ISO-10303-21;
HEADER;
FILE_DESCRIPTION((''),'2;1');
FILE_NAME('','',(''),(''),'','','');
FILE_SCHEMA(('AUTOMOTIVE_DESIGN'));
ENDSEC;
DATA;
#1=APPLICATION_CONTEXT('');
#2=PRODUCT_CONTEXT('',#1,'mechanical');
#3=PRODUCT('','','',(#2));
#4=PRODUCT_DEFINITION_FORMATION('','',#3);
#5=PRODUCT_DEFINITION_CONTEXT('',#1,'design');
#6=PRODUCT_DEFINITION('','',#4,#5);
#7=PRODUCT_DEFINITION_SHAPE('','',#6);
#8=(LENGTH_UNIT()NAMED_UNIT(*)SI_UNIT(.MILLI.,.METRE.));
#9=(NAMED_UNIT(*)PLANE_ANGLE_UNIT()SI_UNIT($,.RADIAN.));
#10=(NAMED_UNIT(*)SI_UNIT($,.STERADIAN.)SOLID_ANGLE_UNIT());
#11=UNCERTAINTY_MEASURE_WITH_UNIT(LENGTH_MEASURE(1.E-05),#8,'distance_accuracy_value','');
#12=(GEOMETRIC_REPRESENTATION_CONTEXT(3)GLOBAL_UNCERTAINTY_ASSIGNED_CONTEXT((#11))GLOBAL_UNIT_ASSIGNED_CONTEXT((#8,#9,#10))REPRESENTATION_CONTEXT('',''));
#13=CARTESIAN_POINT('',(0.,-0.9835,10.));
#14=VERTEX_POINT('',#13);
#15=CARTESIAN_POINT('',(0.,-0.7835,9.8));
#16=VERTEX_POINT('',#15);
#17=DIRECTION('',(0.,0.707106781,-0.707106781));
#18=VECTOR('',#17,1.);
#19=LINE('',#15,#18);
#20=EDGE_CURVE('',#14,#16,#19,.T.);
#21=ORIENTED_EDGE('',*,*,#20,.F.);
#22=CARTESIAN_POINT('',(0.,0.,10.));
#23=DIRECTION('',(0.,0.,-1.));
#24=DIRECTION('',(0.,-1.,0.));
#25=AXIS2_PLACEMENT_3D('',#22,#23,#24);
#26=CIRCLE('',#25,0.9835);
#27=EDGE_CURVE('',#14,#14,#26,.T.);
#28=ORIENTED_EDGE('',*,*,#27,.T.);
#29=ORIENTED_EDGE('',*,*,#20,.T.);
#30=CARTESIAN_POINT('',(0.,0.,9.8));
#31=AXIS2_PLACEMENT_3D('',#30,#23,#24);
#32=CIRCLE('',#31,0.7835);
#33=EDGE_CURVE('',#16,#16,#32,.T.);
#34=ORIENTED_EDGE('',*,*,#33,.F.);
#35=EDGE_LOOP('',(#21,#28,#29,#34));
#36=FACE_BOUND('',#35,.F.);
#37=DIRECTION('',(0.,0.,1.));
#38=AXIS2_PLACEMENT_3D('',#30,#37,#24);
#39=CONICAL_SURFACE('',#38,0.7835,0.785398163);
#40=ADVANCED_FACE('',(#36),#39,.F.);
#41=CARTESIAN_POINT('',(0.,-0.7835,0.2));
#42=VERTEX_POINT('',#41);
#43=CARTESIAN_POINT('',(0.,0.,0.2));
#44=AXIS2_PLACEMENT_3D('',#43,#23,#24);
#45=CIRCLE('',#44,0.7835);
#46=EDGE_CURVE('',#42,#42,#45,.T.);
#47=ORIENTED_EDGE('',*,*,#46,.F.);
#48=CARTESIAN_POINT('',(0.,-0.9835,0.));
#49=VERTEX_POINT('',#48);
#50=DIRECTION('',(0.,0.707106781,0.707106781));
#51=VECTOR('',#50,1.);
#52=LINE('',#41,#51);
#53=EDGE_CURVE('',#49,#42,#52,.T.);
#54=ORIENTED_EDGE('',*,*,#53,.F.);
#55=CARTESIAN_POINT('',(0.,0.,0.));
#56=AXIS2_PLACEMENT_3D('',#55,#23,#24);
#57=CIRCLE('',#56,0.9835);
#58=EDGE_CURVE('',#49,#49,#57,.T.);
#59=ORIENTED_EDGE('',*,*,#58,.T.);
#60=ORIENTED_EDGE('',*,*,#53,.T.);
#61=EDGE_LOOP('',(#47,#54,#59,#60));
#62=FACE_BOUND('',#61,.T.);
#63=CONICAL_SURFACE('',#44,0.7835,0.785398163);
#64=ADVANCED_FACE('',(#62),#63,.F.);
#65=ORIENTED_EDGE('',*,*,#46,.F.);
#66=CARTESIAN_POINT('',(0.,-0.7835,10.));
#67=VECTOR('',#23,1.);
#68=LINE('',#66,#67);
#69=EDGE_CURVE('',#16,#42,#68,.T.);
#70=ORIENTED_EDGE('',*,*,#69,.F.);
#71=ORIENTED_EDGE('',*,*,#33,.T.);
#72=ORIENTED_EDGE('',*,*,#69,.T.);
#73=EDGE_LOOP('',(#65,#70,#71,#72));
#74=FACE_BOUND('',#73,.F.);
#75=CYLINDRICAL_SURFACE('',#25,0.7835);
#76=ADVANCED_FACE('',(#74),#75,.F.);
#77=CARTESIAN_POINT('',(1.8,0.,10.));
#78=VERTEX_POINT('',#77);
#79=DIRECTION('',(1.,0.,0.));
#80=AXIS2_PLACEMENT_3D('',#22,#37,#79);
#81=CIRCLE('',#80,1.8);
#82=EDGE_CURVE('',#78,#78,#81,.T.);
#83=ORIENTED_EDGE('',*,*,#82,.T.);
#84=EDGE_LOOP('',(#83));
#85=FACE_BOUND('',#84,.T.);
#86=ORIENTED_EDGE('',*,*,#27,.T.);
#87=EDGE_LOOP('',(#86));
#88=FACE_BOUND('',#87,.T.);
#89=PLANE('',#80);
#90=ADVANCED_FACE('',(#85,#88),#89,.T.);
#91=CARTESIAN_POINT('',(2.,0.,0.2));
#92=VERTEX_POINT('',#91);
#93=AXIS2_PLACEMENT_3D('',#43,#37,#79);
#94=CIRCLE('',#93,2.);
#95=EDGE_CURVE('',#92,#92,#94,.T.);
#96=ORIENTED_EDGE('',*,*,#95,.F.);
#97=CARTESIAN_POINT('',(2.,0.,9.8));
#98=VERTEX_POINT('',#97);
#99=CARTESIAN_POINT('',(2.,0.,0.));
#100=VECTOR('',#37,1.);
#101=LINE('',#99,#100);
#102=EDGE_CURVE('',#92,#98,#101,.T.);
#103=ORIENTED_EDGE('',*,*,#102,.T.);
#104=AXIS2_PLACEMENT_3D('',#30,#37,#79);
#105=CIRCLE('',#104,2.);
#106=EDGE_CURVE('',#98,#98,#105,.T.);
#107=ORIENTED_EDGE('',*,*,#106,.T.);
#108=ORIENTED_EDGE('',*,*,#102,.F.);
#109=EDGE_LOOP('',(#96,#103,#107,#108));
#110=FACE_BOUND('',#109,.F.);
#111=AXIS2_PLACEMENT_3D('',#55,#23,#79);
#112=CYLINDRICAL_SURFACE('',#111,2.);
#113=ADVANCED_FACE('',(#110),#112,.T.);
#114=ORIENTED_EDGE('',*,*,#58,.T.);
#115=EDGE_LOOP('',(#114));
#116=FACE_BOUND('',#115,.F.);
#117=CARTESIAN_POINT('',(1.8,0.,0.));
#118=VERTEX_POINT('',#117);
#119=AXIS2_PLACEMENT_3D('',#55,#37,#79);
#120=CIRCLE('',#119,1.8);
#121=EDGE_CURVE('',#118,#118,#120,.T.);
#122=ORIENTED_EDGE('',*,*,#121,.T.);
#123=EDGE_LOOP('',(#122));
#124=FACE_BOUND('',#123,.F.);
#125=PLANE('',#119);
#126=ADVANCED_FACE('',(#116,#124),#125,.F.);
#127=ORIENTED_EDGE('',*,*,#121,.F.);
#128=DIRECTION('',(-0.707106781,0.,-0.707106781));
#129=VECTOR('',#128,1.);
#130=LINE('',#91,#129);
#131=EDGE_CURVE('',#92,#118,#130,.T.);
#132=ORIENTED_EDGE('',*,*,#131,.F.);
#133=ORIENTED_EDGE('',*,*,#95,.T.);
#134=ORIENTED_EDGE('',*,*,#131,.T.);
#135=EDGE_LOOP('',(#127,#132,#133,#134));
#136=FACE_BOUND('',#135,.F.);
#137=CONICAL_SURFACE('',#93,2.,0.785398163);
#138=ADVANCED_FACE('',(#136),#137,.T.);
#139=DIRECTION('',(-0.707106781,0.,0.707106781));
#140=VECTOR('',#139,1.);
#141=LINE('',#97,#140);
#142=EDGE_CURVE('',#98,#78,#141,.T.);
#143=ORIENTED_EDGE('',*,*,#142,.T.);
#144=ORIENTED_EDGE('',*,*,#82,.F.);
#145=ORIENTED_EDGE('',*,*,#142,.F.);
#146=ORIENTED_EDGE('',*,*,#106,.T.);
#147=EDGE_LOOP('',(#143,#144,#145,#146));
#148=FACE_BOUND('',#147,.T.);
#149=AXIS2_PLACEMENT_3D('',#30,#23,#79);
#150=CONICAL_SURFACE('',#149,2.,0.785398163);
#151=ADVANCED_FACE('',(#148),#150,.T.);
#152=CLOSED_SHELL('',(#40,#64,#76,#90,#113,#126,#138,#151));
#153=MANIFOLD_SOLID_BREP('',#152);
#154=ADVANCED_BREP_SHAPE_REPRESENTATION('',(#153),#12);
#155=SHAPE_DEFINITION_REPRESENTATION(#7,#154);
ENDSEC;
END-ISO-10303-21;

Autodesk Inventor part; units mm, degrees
ref_plane "YZ Plane" through (0, 0, 0) normal (1, 0, 0) x (0, 1, 0)
ref_plane "XZ Plane" through (0, 0, 0) normal (0, 1, 0) x (-1, 0, 0)
ref_plane "XY Plane" through (0, 0, 0) normal (0, 0, 1) x (1, 0, 0)
sketch "スケッチ1" plane through (0, 0, 0) normal (0, 0, 1) x (1, 0, 0)
  circle A0 centre (0, 0) radius 2
  dimension "d13" = 4
extrude "押し出し1" add sketch "スケッチ1" along normal blind 10
sketch "スケッチ2" plane through (0, 0, 10) normal (0, 0, 1) x (1, 0, 0)
  point P0 (0, 0)
  point P1 (0, 0)
hole "穴1" at (0, 0, 10) direction (0, 0, -1) diameter 1.567 end through all thread size "M2x0.4" class "6H" standard "ANSI Metric M Profile"
chamfer "面取り1" distance 0.2 angle 45 4 edges at (0, 0.7835, 10) (0, 0.7835, 0) (-2, 0, 10) (-2, 0, 0)
properties part number "ARU-2010" material "鋼、炭素鋼"
